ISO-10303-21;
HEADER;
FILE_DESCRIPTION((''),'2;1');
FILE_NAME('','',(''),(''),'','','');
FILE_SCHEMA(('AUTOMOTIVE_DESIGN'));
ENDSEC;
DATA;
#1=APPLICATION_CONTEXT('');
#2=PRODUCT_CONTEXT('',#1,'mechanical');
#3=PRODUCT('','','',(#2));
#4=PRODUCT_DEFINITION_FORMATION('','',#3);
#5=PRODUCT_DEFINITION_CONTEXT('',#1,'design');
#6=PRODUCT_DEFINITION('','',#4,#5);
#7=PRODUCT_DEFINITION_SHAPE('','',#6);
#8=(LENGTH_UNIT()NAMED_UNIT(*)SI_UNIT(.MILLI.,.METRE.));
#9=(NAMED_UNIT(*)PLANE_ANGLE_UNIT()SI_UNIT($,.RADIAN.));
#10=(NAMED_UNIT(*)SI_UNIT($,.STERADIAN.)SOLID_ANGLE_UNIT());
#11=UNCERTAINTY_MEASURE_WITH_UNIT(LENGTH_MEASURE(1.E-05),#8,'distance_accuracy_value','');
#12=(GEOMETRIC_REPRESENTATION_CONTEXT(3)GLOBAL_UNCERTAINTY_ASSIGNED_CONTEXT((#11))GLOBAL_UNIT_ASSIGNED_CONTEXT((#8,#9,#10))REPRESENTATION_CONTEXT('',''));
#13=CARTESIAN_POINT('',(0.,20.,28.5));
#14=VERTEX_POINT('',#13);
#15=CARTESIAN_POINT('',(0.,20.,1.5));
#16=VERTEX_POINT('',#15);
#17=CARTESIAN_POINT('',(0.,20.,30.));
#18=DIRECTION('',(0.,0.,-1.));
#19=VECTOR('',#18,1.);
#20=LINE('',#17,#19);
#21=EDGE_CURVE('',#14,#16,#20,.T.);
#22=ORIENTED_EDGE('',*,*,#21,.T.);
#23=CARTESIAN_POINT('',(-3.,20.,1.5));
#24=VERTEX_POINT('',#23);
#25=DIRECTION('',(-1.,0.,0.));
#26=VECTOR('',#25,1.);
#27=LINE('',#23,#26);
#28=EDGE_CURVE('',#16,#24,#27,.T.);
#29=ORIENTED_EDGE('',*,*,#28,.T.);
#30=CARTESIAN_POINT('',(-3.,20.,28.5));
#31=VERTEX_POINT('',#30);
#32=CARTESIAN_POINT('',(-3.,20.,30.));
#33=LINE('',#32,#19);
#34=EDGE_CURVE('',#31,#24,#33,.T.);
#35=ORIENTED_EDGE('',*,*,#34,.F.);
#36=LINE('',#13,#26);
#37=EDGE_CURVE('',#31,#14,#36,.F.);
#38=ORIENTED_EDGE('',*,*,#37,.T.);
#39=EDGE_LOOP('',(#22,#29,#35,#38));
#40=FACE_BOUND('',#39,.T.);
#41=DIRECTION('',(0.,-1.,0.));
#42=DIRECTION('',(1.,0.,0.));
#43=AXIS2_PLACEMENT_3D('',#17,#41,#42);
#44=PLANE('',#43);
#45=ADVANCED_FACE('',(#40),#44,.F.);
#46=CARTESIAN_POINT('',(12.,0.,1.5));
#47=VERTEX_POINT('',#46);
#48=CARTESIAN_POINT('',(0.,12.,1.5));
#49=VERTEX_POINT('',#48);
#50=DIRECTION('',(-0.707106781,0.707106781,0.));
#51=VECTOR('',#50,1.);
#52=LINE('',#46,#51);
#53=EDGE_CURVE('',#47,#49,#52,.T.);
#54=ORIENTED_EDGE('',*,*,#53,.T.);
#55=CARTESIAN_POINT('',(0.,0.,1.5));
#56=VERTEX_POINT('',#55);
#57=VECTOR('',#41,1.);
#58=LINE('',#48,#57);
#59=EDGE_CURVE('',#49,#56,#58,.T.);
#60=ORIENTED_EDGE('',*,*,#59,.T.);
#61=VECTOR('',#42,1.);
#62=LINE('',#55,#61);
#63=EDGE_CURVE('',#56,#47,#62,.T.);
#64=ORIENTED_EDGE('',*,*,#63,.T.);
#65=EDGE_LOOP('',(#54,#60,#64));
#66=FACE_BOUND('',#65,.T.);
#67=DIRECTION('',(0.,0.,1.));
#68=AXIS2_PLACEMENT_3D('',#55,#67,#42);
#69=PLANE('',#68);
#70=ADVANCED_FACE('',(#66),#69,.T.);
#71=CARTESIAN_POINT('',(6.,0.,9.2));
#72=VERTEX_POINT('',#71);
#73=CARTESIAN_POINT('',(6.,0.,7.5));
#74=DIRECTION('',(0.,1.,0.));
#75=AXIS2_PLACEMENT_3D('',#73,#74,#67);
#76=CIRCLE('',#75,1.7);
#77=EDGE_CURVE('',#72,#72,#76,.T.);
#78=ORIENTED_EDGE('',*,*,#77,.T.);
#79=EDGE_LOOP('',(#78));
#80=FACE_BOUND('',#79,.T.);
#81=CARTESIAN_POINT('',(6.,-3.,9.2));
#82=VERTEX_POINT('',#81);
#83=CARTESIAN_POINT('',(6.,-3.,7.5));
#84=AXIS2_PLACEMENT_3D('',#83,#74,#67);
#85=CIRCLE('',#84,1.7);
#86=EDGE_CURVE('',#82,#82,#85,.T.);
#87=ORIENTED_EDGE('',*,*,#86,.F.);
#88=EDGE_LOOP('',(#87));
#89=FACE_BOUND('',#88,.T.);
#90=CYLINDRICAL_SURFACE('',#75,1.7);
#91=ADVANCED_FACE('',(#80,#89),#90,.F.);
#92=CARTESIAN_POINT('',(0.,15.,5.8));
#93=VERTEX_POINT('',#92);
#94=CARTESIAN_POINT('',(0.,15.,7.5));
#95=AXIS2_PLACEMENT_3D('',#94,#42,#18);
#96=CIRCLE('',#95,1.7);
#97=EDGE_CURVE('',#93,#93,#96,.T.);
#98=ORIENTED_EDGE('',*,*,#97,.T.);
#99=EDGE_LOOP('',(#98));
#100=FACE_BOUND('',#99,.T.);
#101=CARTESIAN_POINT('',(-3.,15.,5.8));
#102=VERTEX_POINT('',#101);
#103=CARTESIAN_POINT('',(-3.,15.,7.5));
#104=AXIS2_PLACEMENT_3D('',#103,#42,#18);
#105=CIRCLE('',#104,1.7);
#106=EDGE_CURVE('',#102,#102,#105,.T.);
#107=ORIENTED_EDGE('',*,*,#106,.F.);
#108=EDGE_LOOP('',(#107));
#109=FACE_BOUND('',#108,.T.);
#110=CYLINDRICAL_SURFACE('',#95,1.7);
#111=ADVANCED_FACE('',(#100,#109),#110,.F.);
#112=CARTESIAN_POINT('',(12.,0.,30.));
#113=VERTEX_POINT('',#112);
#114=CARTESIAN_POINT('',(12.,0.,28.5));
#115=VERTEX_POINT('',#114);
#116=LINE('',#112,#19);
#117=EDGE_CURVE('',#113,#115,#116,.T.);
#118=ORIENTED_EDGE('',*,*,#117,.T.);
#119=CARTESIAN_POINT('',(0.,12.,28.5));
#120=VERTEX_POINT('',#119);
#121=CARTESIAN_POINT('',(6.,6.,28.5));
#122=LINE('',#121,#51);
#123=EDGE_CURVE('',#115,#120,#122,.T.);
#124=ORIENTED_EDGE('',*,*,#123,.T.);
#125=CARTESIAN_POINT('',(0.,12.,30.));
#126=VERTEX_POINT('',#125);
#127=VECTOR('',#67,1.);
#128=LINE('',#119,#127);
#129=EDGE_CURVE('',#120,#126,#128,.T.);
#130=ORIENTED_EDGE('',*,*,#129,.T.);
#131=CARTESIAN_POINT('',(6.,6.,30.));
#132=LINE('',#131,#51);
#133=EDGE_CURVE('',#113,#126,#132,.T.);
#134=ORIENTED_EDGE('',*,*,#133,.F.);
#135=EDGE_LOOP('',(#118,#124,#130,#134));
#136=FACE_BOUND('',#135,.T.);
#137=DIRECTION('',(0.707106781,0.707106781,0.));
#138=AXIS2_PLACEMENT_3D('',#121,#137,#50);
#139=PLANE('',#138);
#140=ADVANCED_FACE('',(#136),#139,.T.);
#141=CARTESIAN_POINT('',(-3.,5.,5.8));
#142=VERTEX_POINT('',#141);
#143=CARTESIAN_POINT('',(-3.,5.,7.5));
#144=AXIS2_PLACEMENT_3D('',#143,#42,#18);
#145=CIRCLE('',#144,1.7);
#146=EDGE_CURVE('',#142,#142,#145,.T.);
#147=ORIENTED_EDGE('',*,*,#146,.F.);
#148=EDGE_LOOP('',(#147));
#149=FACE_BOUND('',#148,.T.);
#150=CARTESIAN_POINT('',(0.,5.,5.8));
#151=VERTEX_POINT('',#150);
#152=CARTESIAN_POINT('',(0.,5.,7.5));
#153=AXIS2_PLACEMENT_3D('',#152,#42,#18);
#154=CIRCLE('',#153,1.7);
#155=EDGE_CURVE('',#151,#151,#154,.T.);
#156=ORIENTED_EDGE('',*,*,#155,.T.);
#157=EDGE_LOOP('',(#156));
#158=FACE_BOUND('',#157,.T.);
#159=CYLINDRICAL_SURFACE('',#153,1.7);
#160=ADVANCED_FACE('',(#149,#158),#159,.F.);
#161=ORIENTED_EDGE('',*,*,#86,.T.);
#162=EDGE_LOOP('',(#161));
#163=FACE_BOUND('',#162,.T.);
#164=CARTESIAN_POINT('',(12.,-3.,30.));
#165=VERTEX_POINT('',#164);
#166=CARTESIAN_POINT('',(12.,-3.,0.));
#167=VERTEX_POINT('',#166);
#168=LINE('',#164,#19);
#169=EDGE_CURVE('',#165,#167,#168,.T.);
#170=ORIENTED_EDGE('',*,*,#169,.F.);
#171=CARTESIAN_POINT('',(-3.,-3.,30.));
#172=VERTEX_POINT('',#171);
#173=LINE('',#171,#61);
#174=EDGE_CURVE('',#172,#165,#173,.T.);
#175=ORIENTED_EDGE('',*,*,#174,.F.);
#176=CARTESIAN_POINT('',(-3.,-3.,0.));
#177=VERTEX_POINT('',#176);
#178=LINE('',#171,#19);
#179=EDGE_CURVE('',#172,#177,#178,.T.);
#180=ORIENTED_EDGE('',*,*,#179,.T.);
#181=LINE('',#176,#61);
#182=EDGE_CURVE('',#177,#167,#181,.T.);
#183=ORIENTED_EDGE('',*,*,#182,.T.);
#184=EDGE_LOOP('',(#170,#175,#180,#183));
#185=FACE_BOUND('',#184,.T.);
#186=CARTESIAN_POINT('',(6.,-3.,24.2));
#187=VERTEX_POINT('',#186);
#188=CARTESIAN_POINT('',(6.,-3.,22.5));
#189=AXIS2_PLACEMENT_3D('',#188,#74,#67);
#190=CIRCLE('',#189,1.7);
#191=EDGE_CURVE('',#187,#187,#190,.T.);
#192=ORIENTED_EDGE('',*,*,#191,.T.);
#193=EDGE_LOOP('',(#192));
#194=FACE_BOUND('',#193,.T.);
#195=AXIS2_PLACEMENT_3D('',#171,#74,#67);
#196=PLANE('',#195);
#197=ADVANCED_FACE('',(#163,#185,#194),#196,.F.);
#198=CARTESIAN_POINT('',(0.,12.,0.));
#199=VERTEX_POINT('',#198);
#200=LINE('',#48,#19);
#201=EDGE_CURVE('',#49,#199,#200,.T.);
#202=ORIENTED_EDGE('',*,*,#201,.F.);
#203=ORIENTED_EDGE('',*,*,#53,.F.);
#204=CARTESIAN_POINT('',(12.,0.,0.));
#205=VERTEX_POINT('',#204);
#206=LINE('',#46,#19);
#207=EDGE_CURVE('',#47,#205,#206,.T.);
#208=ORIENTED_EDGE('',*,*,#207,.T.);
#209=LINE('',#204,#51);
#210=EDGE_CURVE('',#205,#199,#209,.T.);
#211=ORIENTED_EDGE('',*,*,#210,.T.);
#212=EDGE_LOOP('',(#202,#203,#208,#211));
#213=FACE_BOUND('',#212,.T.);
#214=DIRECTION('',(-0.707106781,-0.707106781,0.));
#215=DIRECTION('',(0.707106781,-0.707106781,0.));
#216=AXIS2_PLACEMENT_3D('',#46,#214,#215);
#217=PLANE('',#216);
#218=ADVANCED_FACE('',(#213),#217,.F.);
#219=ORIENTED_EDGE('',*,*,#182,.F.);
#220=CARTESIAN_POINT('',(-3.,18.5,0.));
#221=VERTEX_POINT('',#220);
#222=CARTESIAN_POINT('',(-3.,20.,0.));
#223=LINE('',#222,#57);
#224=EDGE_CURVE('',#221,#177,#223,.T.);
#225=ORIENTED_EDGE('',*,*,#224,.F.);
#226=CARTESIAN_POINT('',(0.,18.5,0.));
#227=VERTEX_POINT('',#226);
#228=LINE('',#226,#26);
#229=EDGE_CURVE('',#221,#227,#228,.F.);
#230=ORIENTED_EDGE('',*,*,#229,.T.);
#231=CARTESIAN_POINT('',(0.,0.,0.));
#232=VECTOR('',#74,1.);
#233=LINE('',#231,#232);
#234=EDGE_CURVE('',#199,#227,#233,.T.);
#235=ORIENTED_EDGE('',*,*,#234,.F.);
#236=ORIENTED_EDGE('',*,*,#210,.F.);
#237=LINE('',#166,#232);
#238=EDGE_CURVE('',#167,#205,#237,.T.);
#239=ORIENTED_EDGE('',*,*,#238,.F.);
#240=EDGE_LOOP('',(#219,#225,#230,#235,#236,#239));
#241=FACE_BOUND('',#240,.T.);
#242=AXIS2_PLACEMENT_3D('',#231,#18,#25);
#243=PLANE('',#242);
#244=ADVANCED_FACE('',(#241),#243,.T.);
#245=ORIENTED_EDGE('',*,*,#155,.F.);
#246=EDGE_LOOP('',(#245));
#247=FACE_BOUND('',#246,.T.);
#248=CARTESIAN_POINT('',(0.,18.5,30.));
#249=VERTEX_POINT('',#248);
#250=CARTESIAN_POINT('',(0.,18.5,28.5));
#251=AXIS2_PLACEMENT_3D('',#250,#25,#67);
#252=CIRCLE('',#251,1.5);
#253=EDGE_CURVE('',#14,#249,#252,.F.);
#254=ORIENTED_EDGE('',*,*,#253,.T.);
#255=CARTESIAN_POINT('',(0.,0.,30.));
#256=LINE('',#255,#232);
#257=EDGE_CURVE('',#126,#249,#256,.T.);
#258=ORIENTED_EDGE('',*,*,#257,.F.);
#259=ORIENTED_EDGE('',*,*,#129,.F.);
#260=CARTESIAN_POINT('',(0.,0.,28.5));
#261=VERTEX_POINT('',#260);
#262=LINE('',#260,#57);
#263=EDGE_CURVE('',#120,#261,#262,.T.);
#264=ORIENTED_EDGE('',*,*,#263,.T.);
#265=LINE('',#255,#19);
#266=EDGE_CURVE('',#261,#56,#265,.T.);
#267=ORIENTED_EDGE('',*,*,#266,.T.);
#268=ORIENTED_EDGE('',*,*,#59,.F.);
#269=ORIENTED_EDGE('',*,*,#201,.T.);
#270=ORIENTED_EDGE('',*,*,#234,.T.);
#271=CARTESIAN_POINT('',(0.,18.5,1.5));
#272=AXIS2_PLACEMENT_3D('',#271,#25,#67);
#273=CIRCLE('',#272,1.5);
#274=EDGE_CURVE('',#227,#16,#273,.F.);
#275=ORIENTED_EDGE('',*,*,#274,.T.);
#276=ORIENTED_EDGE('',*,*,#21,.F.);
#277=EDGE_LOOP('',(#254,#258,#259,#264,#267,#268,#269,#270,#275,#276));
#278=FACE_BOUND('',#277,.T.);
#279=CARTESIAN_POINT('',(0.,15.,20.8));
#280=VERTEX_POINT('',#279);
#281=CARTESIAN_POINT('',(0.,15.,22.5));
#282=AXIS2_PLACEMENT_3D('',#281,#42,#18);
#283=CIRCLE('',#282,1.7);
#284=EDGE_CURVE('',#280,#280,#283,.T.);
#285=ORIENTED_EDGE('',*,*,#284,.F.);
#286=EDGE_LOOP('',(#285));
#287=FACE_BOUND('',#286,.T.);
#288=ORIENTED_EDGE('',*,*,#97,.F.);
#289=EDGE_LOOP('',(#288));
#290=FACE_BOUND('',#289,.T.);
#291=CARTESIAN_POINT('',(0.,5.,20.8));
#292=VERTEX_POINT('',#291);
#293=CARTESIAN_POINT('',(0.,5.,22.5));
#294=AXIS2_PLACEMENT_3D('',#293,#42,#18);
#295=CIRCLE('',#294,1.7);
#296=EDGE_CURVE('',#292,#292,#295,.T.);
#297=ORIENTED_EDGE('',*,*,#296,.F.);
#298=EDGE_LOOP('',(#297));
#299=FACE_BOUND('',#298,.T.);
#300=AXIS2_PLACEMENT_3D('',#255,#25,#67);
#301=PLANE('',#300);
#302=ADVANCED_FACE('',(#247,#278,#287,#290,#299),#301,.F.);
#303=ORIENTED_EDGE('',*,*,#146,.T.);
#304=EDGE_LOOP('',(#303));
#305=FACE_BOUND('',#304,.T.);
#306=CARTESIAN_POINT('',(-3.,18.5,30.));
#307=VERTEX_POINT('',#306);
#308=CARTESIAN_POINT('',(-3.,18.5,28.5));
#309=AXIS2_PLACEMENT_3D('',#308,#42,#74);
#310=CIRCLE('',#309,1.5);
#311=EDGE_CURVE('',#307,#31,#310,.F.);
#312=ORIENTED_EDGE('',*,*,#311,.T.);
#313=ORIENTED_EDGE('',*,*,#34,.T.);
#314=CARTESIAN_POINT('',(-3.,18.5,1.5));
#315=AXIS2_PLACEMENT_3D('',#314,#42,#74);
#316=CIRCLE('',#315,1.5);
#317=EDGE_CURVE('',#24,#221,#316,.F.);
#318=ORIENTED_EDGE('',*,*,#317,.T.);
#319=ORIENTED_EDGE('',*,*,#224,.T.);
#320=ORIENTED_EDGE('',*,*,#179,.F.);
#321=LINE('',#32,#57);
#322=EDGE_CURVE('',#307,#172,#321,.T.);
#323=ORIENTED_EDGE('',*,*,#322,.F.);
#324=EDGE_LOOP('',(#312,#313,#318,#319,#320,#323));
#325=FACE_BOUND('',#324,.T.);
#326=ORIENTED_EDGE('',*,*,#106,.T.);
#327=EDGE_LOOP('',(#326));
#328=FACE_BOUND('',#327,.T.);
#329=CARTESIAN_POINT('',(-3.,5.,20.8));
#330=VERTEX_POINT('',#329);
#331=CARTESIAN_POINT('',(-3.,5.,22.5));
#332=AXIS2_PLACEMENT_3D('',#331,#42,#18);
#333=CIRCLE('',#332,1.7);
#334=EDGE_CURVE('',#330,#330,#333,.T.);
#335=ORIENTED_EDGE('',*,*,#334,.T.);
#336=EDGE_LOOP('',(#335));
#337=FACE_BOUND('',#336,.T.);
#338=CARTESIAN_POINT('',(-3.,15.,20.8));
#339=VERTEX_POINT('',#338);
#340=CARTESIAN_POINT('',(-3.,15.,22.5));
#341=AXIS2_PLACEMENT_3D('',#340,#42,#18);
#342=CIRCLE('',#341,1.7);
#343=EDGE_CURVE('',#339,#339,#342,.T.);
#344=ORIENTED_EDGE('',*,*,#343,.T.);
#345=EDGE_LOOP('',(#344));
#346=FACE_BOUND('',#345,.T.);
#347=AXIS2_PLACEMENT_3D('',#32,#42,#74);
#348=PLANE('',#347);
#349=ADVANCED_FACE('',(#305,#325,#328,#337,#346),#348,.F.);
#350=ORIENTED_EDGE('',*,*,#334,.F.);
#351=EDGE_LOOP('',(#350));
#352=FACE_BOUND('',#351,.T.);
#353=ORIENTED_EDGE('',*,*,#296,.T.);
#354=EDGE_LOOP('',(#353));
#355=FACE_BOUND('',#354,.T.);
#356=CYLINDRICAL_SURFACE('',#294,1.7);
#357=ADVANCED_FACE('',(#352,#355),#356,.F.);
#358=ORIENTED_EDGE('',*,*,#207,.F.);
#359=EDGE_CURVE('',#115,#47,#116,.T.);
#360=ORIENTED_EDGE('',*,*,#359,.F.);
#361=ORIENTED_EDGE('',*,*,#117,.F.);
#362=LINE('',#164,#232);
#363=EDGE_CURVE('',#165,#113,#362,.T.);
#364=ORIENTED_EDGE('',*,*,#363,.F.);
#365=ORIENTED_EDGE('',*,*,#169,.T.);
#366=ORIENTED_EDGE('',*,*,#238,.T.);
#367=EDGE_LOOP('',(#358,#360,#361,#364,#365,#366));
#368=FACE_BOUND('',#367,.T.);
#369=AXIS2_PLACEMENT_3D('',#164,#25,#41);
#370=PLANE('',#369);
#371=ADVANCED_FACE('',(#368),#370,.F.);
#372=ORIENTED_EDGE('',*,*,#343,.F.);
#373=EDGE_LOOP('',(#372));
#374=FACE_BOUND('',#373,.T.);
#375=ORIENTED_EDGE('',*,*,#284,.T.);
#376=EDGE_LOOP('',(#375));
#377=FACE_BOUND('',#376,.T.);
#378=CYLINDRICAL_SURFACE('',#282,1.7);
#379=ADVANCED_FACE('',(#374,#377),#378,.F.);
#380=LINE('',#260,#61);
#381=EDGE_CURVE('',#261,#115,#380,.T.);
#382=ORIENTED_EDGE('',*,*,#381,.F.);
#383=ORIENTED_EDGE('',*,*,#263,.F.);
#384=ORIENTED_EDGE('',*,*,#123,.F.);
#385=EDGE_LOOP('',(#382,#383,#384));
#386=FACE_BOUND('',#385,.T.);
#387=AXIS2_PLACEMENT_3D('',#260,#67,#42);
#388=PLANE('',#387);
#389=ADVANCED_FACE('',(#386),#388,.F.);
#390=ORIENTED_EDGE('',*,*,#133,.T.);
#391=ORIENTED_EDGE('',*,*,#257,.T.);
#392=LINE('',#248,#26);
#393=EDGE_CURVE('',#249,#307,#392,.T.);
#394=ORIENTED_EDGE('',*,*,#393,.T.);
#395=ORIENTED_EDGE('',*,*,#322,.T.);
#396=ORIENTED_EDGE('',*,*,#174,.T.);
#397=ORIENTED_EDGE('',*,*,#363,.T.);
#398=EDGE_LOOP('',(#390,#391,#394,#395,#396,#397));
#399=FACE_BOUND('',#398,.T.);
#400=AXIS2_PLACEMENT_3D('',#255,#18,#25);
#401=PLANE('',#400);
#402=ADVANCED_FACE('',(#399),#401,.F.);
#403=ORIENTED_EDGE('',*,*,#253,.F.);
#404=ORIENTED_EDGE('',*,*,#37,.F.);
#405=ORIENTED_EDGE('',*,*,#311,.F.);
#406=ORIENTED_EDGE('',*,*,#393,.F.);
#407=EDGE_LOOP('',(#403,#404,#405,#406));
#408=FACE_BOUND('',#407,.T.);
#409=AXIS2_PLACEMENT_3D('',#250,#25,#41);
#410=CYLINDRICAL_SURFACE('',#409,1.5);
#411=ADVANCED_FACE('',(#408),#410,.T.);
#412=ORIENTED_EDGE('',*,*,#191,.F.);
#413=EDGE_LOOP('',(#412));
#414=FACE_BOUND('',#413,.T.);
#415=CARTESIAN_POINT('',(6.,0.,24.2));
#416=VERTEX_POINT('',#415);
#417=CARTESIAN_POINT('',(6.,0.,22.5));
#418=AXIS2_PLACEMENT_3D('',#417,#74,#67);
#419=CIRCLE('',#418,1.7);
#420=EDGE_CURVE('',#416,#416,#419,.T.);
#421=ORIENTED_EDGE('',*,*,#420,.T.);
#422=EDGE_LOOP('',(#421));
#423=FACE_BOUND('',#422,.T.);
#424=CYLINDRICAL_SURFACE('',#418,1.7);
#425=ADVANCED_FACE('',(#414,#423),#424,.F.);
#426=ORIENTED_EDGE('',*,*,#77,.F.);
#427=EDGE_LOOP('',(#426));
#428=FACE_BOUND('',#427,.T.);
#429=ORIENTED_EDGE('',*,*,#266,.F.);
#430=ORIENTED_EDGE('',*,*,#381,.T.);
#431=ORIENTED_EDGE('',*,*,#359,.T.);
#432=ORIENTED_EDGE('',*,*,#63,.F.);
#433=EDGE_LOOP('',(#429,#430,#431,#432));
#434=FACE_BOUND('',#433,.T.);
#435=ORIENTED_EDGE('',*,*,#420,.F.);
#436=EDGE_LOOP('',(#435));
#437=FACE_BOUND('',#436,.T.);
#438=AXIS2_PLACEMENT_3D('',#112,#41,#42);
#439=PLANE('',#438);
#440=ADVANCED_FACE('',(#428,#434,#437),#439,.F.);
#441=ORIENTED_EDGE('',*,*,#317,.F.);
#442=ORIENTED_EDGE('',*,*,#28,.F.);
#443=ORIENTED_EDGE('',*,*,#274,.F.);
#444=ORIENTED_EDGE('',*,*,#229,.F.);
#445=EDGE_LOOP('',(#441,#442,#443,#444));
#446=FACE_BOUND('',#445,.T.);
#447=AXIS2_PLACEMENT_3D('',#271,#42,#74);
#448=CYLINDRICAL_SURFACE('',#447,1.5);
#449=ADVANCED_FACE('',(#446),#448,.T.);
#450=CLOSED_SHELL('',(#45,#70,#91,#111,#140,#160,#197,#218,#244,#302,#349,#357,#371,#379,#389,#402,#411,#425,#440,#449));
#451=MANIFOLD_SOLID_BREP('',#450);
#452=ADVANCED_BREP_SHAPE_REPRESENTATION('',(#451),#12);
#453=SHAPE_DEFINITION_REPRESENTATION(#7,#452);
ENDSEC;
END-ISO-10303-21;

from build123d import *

# Parameters (mm, degrees)
PROFILE_EXTRUDE_DEPTH     = 30
GUSSET_1_EXTRUDE_DEPTH    = 1.5
GUSSET_START              = 28.5
GUSSET_2_EXTRUDE_DEPTH    = 1.5
SOLENOID_MOUNTING_HOLES_D = 3.4
M3_MOUNTING_HOLES_D       = 3.4
CORNER_FILLETS_R          = 1.5


with BuildPart() as part:
    # Profile Sketch → Profile  Extrude (new body)
    with BuildSketch(Plane.XY):
        Polygon((0, 0), (0, 20), (-3, 20), (-3, -3), (12, -3), (12, 0), align=None)
    extrude(amount=PROFILE_EXTRUDE_DEPTH)

    # Gusset Sketch → Gusset 1 Extrude (add)
    with BuildSketch(Plane.XY):
        Polygon((0, 0), (12, 0), (0, 12), align=None)
    extrude(amount=GUSSET_1_EXTRUDE_DEPTH)

    # Gusset Sketch<2> → Gusset 2 Extrude (add)
    with BuildSketch(Plane.XY.offset(GUSSET_START)):
        Polygon((0, 0), (12, 0), (0, 12), align=None)
    extrude(amount=GUSSET_2_EXTRUDE_DEPTH)

    # Solenoid Mounting Holes (through all)
    with Locations(Plane(origin=(0, 0, 0), x_dir=(0, 0, -1), z_dir=(1, 0, 0))):
        with Locations((-7.5, 15), (-22.5, 15), (-22.5, 5), (-7.5, 5)):
            Hole(SOLENOID_MOUNTING_HOLES_D / 2)

    # M3 Mounting Holes (through all)
    with Locations(Plane(origin=(0, 0, 0), x_dir=(1, 0, 0), z_dir=(0, 1, 0))):
        with Locations((6, -22.5), (6, -7.5)):
            Hole(M3_MOUNTING_HOLES_D / 2)

    # Corner Fillets
    corner_fillets_edges = [part.edges().sort_by_distance(p)[0] for p in [
        (-1.5, 20, 30),
        (-1.5, 20, 0),
    ]]
    fillet(corner_fillets_edges, radius=CORNER_FILLETS_R)


solid = part.part
